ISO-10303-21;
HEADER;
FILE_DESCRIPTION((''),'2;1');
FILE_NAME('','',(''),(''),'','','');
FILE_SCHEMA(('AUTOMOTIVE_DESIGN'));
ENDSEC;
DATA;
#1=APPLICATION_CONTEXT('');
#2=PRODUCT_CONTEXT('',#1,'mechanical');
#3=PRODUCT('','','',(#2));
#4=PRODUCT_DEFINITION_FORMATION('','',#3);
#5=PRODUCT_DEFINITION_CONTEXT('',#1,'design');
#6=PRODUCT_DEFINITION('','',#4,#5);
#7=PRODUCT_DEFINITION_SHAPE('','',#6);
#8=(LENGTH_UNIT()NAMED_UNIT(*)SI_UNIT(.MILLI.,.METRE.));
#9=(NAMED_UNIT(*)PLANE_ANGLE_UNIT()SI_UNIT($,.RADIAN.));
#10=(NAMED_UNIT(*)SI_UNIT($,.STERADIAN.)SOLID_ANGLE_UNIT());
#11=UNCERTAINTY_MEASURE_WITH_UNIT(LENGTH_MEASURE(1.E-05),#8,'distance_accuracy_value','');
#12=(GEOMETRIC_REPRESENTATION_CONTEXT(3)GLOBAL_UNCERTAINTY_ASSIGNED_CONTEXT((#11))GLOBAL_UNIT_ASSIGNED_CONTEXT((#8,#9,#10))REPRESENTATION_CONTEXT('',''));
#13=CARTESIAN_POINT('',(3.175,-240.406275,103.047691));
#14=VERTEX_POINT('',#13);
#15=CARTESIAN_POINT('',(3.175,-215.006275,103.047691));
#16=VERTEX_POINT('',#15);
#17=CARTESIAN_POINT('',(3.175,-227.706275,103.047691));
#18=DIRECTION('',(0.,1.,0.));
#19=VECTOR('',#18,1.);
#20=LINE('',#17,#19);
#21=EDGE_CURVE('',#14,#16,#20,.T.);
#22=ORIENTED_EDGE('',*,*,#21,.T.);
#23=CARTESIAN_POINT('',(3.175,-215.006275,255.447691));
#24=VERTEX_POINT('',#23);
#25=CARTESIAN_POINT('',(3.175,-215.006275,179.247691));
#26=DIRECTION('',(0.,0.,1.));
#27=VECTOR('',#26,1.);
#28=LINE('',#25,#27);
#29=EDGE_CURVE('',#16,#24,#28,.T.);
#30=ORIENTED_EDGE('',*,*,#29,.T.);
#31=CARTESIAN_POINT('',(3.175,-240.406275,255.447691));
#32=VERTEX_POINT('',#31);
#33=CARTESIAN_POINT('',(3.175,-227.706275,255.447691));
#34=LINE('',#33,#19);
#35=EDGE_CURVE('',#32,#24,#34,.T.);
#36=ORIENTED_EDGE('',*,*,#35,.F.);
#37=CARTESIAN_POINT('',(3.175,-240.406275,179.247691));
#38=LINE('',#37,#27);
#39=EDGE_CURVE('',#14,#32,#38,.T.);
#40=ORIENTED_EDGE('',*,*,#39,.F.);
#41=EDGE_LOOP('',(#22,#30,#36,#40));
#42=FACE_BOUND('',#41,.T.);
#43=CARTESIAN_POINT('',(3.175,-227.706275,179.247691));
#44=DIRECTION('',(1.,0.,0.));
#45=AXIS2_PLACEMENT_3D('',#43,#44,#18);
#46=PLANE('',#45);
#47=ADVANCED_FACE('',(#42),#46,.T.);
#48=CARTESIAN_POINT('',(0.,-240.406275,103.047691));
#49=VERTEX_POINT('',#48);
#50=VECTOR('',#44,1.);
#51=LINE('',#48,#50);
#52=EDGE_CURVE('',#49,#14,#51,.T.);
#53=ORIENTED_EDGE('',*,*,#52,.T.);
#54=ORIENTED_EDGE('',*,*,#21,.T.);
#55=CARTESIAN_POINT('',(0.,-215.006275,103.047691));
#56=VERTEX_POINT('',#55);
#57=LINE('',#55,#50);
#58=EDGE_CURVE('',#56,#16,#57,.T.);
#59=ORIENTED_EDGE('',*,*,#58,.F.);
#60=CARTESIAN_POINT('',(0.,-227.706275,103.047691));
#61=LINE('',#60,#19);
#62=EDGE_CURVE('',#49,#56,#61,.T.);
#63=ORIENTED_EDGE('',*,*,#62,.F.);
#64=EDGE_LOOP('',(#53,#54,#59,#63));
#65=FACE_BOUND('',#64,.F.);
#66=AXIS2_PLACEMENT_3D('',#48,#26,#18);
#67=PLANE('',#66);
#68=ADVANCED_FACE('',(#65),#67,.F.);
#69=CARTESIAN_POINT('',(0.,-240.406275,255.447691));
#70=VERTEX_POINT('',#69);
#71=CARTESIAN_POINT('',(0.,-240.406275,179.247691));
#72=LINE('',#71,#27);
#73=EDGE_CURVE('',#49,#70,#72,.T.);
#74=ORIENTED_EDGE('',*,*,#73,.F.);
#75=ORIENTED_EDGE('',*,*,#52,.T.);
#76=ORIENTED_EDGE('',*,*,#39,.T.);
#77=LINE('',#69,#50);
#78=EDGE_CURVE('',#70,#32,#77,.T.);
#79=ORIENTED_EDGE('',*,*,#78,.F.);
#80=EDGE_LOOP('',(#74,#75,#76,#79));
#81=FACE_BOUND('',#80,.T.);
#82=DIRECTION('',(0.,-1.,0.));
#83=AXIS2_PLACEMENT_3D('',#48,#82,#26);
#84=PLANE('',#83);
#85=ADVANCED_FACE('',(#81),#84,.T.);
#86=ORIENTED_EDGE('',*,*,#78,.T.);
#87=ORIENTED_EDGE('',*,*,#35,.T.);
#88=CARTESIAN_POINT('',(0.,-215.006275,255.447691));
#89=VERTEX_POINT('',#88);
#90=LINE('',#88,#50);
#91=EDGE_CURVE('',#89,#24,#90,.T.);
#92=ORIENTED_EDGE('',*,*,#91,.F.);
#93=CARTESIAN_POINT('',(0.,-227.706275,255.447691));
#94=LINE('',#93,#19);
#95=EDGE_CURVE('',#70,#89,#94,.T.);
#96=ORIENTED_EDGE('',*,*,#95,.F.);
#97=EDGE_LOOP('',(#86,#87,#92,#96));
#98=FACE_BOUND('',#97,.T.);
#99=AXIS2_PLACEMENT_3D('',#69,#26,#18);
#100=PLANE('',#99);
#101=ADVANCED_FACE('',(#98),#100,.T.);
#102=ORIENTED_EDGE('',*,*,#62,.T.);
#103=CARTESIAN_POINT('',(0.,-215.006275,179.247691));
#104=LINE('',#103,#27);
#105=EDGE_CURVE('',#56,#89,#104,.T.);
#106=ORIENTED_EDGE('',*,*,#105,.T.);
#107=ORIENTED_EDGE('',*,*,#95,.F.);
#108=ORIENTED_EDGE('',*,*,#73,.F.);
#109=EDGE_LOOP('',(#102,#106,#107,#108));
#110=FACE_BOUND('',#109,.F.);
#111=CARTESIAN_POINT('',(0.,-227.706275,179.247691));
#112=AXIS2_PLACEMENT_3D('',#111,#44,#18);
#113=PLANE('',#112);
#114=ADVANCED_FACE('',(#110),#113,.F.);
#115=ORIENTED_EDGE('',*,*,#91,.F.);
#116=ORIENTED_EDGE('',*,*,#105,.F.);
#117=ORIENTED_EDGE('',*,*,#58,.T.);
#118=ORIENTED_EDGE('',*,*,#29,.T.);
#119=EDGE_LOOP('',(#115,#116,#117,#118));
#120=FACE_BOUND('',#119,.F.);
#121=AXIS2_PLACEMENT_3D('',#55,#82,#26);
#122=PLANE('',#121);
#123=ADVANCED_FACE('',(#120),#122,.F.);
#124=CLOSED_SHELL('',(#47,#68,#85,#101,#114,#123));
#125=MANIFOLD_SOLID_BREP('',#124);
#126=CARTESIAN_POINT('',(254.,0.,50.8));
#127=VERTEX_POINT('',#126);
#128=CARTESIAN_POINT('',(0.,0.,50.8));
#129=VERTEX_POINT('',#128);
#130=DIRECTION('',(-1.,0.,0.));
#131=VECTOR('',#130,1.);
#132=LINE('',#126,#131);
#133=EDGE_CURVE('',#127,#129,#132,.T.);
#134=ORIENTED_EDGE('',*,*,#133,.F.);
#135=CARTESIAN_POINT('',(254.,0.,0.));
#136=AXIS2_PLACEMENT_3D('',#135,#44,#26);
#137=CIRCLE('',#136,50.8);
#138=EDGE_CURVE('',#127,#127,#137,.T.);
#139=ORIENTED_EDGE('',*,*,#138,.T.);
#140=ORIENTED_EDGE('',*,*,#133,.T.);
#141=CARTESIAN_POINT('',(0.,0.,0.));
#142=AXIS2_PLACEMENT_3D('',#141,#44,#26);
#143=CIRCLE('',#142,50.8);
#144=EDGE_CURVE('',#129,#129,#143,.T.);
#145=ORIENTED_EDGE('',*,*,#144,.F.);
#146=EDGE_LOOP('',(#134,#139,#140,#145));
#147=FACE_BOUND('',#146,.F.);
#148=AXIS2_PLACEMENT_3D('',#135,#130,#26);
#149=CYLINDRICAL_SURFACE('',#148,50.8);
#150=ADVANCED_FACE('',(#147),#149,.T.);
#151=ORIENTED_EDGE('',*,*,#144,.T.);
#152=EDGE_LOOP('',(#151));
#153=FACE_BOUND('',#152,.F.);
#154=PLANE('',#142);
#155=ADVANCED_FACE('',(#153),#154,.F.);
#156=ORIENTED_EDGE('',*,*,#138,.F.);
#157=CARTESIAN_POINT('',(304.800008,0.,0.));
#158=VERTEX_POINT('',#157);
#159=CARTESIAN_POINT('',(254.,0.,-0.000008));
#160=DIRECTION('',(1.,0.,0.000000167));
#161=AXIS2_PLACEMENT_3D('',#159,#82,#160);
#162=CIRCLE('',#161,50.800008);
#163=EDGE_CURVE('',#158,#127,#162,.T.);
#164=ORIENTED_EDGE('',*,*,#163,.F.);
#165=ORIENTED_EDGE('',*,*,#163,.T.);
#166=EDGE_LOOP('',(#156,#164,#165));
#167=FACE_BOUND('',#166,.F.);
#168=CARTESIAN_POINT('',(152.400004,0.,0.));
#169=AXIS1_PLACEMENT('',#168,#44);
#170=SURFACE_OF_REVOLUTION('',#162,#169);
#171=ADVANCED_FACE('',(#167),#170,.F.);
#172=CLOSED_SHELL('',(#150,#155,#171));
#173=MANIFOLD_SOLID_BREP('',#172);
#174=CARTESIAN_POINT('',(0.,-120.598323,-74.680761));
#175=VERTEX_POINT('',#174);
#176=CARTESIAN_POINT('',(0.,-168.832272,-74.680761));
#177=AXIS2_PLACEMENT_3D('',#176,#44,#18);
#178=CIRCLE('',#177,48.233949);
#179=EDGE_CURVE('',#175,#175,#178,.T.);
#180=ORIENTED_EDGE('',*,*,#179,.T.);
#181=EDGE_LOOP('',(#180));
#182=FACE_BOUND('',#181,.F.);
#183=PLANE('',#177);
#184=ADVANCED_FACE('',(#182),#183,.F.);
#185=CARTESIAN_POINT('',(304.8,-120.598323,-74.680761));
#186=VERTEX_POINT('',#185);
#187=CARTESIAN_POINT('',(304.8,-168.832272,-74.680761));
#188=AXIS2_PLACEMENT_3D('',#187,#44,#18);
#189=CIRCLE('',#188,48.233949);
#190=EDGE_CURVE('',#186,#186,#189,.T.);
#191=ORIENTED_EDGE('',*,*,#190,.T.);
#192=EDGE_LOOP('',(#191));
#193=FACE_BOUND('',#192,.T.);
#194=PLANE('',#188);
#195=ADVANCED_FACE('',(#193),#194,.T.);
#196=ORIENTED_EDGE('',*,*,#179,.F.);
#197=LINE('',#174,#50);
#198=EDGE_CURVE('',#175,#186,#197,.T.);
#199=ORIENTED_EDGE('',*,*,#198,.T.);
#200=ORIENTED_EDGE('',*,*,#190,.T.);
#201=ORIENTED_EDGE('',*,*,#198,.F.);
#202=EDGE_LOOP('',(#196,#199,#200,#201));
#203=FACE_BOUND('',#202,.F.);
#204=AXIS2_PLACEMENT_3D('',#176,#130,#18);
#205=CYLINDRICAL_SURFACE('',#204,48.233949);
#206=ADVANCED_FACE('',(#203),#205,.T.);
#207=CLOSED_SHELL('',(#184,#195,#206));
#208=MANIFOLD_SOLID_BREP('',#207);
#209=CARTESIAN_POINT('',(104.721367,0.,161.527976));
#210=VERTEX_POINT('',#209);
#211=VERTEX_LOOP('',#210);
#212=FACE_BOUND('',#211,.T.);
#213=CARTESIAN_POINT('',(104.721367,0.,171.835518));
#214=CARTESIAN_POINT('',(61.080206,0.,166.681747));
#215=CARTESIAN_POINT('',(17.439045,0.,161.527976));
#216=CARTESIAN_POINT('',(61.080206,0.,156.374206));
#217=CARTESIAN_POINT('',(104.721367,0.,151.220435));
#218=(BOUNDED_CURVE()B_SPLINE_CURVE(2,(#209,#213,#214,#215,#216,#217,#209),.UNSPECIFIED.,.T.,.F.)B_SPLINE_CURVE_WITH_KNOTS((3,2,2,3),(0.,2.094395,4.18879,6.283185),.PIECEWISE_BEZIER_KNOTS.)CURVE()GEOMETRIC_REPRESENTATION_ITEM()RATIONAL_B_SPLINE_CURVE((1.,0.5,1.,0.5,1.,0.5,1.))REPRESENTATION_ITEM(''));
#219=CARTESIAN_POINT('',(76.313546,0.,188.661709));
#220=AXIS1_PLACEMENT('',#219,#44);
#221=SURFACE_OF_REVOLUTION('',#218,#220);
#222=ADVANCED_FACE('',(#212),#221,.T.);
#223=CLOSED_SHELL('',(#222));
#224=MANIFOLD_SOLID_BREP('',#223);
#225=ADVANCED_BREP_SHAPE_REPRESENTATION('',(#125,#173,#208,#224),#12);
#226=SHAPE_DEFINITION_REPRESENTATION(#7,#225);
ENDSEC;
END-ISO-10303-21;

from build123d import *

# Parameters (mm, degrees)
F4_R     = 48.233949
F5_DEPTH = 304.8
F6_W     = 25.4
F6_H     = 152.4
F7_DEPTH = 3.175


with BuildPart() as f1:
    # F0 (on Front) → F1 (revolve)
    with BuildSketch(Plane.XZ):
        with BuildLine():
            Line((254, 50.8), (0, 50.8))
            Line((0, 50.8), (0, 0))
            Line((0, 0), (304.800008, 0))
            ThreePointArc((304.800008, 0), (289.921027, 35.921025), (254, 50.8))
        make_face()
    revolve(axis=Axis((152.400004, 0, 0), (1, 0, 0)))


with BuildPart() as f3:
    # F2 (on Front) → F3 (revolve)
    with BuildSketch(Plane.XZ):
        with BuildLine():
            add(Edge.make_bspline(
                [(104.721367, 161.527976), (104.721367, 171.835518), (61.080206, 166.681747), (17.439045, 161.527976), (61.080206, 156.374206), (104.721367, 151.220435), (104.721367, 161.527976)],
                knots=[0, 0, 0, 2.094395, 2.094395, 4.18879, 4.18879, 6.283185, 6.283185, 6.283185], degree=2, weights=[1, 0.5, 1, 0.5, 1, 0.5, 1]))
        make_face()
    revolve(axis=Axis((76.313546, 0, 188.661709), (1, 0, 0)))


with BuildPart() as f5:
    # F4 (on Right) → F5 (new body)
    with BuildSketch(Plane.YZ):
        with Locations((-168.832272, -74.680761)):
            Circle(F4_R)
    extrude(amount=F5_DEPTH)


with BuildPart() as f7:
    # F6 (on Right) → F7 (new body)
    with BuildSketch(Plane.YZ):
        with Locations((-227.706275, 179.247691)):
            Rectangle(F6_W, F6_H)
    extrude(amount=F7_DEPTH)


solid = Compound([f1.part, f3.part, f5.part, f7.part])
